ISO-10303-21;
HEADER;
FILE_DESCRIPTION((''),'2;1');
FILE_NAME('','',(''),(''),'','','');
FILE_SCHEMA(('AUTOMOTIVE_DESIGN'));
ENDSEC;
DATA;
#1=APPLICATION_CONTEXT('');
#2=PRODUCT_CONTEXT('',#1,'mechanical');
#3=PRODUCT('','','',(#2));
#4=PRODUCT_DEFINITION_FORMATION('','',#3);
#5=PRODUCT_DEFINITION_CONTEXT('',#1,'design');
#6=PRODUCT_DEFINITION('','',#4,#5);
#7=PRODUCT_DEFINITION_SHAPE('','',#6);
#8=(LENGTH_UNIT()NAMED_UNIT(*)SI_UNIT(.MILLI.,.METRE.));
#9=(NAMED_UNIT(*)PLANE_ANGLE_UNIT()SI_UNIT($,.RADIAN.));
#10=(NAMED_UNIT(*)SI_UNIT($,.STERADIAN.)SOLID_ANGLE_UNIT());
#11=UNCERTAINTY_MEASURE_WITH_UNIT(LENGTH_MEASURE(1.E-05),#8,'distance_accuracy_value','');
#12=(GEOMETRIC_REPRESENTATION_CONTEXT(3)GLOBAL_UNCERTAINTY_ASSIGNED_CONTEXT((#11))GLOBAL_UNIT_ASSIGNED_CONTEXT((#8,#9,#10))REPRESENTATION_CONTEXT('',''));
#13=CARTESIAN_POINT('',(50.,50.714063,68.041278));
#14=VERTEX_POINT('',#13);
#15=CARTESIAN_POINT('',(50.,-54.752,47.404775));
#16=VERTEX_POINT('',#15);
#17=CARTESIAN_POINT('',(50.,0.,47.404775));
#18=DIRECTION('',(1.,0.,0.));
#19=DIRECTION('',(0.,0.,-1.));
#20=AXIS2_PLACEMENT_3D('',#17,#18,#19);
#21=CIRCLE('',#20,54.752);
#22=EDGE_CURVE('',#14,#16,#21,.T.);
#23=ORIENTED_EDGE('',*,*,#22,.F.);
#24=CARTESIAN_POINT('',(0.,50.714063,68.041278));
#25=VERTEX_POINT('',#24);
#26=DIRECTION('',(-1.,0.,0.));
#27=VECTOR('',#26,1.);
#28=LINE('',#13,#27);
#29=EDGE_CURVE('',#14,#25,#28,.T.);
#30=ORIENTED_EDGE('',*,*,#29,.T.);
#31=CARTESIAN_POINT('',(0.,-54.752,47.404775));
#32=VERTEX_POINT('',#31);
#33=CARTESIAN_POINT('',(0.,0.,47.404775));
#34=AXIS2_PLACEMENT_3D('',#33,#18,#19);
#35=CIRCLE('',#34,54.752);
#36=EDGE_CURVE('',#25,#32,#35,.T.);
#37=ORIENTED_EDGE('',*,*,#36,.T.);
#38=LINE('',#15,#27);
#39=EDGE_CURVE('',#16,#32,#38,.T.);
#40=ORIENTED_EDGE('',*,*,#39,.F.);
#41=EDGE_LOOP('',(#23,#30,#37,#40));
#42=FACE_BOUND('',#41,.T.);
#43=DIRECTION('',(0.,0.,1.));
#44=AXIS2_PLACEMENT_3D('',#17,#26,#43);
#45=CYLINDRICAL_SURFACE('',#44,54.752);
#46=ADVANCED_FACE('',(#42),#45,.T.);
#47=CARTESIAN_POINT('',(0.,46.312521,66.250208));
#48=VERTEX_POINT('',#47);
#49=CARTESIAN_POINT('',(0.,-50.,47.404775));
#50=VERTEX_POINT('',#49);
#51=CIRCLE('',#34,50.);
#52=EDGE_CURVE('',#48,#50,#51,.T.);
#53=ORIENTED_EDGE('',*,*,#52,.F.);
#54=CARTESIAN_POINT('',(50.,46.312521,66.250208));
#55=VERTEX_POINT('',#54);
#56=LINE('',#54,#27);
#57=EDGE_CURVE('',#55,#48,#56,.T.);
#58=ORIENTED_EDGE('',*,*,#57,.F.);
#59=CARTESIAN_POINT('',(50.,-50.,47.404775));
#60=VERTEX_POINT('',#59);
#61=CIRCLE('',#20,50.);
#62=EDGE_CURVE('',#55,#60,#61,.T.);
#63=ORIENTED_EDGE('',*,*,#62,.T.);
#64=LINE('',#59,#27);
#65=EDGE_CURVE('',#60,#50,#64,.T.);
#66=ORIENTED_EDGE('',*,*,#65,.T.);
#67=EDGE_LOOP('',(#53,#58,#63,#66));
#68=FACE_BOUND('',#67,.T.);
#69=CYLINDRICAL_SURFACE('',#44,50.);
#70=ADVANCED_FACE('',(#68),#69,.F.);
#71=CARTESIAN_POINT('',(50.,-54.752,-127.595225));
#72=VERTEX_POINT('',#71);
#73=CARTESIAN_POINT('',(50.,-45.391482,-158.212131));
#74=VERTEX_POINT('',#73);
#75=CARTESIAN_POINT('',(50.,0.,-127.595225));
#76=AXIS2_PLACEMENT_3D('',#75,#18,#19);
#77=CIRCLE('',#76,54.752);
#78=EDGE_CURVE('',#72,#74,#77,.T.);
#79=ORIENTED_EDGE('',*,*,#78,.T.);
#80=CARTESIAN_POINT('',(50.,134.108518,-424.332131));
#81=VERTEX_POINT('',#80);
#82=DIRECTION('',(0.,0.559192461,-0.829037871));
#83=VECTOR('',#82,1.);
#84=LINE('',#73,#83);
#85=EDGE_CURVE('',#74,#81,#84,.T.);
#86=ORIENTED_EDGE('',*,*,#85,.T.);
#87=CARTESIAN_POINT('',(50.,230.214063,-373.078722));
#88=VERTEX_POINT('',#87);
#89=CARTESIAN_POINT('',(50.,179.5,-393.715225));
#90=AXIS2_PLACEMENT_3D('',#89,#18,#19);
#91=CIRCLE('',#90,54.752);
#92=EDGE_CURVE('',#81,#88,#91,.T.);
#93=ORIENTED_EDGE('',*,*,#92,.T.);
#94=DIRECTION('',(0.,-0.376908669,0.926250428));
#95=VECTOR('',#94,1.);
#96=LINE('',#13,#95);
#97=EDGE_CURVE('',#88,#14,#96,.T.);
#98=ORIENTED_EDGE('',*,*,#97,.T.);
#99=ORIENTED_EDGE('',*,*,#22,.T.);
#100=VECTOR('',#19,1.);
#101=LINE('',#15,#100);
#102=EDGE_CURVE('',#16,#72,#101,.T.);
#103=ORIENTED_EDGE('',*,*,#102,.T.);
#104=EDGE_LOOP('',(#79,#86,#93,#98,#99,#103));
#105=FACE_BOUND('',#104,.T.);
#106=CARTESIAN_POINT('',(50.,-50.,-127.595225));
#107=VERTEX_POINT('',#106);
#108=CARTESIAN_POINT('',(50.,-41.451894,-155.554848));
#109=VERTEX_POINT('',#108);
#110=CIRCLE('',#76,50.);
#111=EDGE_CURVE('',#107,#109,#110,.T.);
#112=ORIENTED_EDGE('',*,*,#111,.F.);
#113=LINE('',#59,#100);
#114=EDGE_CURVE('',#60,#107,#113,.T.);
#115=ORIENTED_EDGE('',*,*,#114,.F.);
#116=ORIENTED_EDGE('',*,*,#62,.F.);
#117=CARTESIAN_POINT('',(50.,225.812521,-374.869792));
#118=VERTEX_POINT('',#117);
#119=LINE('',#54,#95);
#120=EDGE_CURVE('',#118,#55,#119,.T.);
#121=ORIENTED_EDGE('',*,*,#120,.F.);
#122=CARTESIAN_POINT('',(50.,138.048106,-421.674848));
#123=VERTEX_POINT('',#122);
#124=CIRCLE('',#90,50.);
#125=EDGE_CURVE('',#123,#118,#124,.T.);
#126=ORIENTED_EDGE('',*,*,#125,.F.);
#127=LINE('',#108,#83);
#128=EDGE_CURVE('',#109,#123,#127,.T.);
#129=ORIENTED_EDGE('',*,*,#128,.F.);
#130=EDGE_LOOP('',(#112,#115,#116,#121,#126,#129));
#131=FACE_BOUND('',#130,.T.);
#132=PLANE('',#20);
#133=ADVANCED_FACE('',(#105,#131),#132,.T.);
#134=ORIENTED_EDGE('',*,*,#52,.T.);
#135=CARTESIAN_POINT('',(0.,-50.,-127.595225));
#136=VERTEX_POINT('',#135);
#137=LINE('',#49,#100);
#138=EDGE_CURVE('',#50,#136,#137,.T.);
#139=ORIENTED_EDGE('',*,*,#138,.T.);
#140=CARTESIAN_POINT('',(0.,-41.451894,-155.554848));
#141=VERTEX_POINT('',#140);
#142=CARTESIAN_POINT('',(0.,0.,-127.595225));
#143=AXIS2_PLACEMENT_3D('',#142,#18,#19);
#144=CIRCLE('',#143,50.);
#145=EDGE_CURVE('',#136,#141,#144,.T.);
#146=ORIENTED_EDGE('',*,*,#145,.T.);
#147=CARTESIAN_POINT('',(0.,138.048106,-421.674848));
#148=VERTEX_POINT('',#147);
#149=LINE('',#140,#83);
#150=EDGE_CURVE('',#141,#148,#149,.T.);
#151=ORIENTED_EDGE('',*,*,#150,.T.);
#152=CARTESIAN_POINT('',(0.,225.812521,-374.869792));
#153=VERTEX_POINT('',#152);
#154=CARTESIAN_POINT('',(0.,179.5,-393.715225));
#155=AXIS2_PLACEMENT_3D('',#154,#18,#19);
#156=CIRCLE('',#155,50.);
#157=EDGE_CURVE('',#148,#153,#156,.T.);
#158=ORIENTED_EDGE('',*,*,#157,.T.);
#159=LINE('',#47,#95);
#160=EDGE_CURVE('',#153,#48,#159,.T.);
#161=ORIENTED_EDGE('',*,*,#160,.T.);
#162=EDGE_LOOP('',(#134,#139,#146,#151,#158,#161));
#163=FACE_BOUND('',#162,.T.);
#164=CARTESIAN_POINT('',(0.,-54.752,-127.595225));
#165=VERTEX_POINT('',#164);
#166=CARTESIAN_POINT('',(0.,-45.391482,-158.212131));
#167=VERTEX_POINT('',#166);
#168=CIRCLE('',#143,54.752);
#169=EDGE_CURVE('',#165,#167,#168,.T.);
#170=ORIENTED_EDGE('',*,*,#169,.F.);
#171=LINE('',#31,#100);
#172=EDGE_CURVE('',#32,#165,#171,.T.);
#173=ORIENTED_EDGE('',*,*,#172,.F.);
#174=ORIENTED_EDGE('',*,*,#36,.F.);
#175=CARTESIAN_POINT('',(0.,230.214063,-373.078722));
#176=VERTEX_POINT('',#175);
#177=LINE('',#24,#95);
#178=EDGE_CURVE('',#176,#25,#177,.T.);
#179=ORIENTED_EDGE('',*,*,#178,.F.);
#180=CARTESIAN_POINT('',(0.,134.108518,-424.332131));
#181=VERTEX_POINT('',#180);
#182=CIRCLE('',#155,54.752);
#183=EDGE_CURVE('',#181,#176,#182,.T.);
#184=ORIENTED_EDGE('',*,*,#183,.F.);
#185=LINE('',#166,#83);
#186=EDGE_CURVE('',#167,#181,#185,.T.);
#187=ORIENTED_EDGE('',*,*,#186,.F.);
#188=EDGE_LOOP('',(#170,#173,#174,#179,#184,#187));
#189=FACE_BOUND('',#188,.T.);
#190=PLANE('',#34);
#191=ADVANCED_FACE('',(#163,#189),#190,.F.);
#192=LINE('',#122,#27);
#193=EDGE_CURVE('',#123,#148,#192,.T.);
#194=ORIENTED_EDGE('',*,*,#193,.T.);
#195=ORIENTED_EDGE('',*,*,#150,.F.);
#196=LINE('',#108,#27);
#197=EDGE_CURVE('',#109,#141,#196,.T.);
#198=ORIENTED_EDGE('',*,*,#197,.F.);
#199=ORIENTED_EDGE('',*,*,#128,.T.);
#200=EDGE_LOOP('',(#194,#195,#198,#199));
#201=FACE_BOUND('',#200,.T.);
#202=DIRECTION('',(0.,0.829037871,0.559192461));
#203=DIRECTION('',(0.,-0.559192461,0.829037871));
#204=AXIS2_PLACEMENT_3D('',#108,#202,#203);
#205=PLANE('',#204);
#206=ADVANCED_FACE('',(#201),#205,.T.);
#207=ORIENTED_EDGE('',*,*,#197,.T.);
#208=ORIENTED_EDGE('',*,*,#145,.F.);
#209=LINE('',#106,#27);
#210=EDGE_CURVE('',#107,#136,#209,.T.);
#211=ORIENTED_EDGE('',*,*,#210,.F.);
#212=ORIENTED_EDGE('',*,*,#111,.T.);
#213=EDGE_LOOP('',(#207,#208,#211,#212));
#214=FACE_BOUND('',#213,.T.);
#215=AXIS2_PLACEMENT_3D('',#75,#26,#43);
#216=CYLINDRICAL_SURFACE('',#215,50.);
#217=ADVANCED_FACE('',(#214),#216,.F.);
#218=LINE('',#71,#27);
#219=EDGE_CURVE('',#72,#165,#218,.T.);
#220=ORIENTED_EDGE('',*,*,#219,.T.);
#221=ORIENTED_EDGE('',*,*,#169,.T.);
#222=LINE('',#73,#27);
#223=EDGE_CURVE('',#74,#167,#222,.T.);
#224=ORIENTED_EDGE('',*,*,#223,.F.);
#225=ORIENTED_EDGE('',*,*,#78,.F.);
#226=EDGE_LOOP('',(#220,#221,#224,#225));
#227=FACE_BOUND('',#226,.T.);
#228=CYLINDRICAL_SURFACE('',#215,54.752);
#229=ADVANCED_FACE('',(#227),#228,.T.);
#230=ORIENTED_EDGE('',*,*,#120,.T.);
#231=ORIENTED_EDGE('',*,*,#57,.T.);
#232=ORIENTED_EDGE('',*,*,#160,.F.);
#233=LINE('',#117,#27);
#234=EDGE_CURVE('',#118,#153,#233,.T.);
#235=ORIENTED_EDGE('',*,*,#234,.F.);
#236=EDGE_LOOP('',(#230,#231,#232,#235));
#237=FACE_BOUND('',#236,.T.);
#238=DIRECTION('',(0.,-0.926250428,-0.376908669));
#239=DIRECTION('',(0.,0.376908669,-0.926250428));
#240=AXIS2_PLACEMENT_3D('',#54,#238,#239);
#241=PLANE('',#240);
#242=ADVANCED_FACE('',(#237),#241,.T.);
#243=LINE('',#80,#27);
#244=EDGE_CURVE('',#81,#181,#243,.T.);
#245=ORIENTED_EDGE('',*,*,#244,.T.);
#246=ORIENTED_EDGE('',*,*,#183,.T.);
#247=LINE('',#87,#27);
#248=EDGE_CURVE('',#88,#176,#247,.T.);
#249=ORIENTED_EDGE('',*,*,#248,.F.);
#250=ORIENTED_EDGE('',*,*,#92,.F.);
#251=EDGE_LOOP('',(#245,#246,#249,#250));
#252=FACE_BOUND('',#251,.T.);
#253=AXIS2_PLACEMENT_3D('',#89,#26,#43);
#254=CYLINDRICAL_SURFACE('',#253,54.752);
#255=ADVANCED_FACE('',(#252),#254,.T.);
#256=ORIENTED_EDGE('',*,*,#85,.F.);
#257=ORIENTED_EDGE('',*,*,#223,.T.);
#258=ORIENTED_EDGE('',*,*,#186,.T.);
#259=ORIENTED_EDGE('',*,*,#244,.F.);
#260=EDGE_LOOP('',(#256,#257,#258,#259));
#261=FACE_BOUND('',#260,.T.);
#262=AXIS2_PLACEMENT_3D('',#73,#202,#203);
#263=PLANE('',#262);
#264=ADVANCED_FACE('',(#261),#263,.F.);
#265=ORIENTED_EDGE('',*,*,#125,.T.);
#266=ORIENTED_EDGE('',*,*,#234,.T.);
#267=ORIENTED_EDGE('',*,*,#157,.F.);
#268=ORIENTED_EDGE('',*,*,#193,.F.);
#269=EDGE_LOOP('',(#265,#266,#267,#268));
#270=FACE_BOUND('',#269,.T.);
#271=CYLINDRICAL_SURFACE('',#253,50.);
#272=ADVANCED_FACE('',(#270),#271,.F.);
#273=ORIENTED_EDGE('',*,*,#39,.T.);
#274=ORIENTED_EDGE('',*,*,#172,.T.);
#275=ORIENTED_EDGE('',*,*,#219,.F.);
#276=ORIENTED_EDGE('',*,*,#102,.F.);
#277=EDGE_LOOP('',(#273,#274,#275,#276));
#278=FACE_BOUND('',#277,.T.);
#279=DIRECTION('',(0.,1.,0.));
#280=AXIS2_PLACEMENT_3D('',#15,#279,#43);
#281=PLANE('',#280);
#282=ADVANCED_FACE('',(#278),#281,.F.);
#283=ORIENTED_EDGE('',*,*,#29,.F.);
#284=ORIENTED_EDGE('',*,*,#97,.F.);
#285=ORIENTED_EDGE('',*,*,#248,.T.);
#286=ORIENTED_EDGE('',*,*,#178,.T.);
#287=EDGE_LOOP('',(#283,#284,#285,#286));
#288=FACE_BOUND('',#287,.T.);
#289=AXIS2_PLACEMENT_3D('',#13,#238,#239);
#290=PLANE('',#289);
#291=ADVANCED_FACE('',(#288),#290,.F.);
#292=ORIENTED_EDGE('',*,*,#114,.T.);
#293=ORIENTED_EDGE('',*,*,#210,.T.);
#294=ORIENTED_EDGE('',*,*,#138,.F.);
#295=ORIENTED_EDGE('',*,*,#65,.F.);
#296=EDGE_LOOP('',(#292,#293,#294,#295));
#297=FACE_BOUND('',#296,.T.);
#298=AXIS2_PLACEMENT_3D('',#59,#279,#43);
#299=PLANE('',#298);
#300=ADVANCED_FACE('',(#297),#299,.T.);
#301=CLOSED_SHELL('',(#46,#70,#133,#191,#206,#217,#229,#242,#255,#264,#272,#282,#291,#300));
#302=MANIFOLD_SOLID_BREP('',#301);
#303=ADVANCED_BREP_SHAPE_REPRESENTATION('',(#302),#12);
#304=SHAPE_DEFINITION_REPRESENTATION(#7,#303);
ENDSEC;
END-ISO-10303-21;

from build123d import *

# Parameters (mm, degrees)
EXTRUDE_1_DEPTH = 50


with BuildPart() as part:
    # 스케치1 → 보스-돌출1 (new body)
    with BuildSketch(Plane(origin=(0, 0, 0), x_dir=(0, 0, -1), z_dir=(1, 0, 0))):
        with BuildLine():
            Line((-68.041278197, 50.714063441), (373.078721803, 230.214063441))
            ThreePointArc((373.078721803, 230.214063441), (442.026414912, 205.264519299), (424.332130863, 134.108518499))
            Line((424.332130863, 134.108518499), (158.212130863, -45.391481501))
            ThreePointArc((158.212130863, -45.391481501), (143.603146836, -52.359602267), (127.595225221, -54.752))
            Line((127.595225221, -54.752), (-47.404774779, -54.752))
            ThreePointArc((-47.404774779, -54.752), (-101.137808871, -10.513921782), (-68.041278197, 50.714063441))
        make_face()
        with BuildLine():
            Line((-66.250208204, 46.312521406), (374.869791796, 225.812521406))
            ThreePointArc((374.869791796, 225.812521406), (437.833421534, 203.028381884), (421.674848287, 138.048106461))
            Line((421.674848287, 138.048106461), (155.554848287, -41.451893539))
            ThreePointArc((155.554848287, -41.451893539), (142.213797707, -47.815241696), (127.595225221, -50))
            Line((127.595225221, -50), (-47.404774779, -50))
            ThreePointArc((-47.404774779, -50), (-96.474246298, -9.601404316), (-66.250208204, 46.312521406))
        make_face(mode=Mode.SUBTRACT)
    extrude(amount=EXTRUDE_1_DEPTH)


solid = part.part
